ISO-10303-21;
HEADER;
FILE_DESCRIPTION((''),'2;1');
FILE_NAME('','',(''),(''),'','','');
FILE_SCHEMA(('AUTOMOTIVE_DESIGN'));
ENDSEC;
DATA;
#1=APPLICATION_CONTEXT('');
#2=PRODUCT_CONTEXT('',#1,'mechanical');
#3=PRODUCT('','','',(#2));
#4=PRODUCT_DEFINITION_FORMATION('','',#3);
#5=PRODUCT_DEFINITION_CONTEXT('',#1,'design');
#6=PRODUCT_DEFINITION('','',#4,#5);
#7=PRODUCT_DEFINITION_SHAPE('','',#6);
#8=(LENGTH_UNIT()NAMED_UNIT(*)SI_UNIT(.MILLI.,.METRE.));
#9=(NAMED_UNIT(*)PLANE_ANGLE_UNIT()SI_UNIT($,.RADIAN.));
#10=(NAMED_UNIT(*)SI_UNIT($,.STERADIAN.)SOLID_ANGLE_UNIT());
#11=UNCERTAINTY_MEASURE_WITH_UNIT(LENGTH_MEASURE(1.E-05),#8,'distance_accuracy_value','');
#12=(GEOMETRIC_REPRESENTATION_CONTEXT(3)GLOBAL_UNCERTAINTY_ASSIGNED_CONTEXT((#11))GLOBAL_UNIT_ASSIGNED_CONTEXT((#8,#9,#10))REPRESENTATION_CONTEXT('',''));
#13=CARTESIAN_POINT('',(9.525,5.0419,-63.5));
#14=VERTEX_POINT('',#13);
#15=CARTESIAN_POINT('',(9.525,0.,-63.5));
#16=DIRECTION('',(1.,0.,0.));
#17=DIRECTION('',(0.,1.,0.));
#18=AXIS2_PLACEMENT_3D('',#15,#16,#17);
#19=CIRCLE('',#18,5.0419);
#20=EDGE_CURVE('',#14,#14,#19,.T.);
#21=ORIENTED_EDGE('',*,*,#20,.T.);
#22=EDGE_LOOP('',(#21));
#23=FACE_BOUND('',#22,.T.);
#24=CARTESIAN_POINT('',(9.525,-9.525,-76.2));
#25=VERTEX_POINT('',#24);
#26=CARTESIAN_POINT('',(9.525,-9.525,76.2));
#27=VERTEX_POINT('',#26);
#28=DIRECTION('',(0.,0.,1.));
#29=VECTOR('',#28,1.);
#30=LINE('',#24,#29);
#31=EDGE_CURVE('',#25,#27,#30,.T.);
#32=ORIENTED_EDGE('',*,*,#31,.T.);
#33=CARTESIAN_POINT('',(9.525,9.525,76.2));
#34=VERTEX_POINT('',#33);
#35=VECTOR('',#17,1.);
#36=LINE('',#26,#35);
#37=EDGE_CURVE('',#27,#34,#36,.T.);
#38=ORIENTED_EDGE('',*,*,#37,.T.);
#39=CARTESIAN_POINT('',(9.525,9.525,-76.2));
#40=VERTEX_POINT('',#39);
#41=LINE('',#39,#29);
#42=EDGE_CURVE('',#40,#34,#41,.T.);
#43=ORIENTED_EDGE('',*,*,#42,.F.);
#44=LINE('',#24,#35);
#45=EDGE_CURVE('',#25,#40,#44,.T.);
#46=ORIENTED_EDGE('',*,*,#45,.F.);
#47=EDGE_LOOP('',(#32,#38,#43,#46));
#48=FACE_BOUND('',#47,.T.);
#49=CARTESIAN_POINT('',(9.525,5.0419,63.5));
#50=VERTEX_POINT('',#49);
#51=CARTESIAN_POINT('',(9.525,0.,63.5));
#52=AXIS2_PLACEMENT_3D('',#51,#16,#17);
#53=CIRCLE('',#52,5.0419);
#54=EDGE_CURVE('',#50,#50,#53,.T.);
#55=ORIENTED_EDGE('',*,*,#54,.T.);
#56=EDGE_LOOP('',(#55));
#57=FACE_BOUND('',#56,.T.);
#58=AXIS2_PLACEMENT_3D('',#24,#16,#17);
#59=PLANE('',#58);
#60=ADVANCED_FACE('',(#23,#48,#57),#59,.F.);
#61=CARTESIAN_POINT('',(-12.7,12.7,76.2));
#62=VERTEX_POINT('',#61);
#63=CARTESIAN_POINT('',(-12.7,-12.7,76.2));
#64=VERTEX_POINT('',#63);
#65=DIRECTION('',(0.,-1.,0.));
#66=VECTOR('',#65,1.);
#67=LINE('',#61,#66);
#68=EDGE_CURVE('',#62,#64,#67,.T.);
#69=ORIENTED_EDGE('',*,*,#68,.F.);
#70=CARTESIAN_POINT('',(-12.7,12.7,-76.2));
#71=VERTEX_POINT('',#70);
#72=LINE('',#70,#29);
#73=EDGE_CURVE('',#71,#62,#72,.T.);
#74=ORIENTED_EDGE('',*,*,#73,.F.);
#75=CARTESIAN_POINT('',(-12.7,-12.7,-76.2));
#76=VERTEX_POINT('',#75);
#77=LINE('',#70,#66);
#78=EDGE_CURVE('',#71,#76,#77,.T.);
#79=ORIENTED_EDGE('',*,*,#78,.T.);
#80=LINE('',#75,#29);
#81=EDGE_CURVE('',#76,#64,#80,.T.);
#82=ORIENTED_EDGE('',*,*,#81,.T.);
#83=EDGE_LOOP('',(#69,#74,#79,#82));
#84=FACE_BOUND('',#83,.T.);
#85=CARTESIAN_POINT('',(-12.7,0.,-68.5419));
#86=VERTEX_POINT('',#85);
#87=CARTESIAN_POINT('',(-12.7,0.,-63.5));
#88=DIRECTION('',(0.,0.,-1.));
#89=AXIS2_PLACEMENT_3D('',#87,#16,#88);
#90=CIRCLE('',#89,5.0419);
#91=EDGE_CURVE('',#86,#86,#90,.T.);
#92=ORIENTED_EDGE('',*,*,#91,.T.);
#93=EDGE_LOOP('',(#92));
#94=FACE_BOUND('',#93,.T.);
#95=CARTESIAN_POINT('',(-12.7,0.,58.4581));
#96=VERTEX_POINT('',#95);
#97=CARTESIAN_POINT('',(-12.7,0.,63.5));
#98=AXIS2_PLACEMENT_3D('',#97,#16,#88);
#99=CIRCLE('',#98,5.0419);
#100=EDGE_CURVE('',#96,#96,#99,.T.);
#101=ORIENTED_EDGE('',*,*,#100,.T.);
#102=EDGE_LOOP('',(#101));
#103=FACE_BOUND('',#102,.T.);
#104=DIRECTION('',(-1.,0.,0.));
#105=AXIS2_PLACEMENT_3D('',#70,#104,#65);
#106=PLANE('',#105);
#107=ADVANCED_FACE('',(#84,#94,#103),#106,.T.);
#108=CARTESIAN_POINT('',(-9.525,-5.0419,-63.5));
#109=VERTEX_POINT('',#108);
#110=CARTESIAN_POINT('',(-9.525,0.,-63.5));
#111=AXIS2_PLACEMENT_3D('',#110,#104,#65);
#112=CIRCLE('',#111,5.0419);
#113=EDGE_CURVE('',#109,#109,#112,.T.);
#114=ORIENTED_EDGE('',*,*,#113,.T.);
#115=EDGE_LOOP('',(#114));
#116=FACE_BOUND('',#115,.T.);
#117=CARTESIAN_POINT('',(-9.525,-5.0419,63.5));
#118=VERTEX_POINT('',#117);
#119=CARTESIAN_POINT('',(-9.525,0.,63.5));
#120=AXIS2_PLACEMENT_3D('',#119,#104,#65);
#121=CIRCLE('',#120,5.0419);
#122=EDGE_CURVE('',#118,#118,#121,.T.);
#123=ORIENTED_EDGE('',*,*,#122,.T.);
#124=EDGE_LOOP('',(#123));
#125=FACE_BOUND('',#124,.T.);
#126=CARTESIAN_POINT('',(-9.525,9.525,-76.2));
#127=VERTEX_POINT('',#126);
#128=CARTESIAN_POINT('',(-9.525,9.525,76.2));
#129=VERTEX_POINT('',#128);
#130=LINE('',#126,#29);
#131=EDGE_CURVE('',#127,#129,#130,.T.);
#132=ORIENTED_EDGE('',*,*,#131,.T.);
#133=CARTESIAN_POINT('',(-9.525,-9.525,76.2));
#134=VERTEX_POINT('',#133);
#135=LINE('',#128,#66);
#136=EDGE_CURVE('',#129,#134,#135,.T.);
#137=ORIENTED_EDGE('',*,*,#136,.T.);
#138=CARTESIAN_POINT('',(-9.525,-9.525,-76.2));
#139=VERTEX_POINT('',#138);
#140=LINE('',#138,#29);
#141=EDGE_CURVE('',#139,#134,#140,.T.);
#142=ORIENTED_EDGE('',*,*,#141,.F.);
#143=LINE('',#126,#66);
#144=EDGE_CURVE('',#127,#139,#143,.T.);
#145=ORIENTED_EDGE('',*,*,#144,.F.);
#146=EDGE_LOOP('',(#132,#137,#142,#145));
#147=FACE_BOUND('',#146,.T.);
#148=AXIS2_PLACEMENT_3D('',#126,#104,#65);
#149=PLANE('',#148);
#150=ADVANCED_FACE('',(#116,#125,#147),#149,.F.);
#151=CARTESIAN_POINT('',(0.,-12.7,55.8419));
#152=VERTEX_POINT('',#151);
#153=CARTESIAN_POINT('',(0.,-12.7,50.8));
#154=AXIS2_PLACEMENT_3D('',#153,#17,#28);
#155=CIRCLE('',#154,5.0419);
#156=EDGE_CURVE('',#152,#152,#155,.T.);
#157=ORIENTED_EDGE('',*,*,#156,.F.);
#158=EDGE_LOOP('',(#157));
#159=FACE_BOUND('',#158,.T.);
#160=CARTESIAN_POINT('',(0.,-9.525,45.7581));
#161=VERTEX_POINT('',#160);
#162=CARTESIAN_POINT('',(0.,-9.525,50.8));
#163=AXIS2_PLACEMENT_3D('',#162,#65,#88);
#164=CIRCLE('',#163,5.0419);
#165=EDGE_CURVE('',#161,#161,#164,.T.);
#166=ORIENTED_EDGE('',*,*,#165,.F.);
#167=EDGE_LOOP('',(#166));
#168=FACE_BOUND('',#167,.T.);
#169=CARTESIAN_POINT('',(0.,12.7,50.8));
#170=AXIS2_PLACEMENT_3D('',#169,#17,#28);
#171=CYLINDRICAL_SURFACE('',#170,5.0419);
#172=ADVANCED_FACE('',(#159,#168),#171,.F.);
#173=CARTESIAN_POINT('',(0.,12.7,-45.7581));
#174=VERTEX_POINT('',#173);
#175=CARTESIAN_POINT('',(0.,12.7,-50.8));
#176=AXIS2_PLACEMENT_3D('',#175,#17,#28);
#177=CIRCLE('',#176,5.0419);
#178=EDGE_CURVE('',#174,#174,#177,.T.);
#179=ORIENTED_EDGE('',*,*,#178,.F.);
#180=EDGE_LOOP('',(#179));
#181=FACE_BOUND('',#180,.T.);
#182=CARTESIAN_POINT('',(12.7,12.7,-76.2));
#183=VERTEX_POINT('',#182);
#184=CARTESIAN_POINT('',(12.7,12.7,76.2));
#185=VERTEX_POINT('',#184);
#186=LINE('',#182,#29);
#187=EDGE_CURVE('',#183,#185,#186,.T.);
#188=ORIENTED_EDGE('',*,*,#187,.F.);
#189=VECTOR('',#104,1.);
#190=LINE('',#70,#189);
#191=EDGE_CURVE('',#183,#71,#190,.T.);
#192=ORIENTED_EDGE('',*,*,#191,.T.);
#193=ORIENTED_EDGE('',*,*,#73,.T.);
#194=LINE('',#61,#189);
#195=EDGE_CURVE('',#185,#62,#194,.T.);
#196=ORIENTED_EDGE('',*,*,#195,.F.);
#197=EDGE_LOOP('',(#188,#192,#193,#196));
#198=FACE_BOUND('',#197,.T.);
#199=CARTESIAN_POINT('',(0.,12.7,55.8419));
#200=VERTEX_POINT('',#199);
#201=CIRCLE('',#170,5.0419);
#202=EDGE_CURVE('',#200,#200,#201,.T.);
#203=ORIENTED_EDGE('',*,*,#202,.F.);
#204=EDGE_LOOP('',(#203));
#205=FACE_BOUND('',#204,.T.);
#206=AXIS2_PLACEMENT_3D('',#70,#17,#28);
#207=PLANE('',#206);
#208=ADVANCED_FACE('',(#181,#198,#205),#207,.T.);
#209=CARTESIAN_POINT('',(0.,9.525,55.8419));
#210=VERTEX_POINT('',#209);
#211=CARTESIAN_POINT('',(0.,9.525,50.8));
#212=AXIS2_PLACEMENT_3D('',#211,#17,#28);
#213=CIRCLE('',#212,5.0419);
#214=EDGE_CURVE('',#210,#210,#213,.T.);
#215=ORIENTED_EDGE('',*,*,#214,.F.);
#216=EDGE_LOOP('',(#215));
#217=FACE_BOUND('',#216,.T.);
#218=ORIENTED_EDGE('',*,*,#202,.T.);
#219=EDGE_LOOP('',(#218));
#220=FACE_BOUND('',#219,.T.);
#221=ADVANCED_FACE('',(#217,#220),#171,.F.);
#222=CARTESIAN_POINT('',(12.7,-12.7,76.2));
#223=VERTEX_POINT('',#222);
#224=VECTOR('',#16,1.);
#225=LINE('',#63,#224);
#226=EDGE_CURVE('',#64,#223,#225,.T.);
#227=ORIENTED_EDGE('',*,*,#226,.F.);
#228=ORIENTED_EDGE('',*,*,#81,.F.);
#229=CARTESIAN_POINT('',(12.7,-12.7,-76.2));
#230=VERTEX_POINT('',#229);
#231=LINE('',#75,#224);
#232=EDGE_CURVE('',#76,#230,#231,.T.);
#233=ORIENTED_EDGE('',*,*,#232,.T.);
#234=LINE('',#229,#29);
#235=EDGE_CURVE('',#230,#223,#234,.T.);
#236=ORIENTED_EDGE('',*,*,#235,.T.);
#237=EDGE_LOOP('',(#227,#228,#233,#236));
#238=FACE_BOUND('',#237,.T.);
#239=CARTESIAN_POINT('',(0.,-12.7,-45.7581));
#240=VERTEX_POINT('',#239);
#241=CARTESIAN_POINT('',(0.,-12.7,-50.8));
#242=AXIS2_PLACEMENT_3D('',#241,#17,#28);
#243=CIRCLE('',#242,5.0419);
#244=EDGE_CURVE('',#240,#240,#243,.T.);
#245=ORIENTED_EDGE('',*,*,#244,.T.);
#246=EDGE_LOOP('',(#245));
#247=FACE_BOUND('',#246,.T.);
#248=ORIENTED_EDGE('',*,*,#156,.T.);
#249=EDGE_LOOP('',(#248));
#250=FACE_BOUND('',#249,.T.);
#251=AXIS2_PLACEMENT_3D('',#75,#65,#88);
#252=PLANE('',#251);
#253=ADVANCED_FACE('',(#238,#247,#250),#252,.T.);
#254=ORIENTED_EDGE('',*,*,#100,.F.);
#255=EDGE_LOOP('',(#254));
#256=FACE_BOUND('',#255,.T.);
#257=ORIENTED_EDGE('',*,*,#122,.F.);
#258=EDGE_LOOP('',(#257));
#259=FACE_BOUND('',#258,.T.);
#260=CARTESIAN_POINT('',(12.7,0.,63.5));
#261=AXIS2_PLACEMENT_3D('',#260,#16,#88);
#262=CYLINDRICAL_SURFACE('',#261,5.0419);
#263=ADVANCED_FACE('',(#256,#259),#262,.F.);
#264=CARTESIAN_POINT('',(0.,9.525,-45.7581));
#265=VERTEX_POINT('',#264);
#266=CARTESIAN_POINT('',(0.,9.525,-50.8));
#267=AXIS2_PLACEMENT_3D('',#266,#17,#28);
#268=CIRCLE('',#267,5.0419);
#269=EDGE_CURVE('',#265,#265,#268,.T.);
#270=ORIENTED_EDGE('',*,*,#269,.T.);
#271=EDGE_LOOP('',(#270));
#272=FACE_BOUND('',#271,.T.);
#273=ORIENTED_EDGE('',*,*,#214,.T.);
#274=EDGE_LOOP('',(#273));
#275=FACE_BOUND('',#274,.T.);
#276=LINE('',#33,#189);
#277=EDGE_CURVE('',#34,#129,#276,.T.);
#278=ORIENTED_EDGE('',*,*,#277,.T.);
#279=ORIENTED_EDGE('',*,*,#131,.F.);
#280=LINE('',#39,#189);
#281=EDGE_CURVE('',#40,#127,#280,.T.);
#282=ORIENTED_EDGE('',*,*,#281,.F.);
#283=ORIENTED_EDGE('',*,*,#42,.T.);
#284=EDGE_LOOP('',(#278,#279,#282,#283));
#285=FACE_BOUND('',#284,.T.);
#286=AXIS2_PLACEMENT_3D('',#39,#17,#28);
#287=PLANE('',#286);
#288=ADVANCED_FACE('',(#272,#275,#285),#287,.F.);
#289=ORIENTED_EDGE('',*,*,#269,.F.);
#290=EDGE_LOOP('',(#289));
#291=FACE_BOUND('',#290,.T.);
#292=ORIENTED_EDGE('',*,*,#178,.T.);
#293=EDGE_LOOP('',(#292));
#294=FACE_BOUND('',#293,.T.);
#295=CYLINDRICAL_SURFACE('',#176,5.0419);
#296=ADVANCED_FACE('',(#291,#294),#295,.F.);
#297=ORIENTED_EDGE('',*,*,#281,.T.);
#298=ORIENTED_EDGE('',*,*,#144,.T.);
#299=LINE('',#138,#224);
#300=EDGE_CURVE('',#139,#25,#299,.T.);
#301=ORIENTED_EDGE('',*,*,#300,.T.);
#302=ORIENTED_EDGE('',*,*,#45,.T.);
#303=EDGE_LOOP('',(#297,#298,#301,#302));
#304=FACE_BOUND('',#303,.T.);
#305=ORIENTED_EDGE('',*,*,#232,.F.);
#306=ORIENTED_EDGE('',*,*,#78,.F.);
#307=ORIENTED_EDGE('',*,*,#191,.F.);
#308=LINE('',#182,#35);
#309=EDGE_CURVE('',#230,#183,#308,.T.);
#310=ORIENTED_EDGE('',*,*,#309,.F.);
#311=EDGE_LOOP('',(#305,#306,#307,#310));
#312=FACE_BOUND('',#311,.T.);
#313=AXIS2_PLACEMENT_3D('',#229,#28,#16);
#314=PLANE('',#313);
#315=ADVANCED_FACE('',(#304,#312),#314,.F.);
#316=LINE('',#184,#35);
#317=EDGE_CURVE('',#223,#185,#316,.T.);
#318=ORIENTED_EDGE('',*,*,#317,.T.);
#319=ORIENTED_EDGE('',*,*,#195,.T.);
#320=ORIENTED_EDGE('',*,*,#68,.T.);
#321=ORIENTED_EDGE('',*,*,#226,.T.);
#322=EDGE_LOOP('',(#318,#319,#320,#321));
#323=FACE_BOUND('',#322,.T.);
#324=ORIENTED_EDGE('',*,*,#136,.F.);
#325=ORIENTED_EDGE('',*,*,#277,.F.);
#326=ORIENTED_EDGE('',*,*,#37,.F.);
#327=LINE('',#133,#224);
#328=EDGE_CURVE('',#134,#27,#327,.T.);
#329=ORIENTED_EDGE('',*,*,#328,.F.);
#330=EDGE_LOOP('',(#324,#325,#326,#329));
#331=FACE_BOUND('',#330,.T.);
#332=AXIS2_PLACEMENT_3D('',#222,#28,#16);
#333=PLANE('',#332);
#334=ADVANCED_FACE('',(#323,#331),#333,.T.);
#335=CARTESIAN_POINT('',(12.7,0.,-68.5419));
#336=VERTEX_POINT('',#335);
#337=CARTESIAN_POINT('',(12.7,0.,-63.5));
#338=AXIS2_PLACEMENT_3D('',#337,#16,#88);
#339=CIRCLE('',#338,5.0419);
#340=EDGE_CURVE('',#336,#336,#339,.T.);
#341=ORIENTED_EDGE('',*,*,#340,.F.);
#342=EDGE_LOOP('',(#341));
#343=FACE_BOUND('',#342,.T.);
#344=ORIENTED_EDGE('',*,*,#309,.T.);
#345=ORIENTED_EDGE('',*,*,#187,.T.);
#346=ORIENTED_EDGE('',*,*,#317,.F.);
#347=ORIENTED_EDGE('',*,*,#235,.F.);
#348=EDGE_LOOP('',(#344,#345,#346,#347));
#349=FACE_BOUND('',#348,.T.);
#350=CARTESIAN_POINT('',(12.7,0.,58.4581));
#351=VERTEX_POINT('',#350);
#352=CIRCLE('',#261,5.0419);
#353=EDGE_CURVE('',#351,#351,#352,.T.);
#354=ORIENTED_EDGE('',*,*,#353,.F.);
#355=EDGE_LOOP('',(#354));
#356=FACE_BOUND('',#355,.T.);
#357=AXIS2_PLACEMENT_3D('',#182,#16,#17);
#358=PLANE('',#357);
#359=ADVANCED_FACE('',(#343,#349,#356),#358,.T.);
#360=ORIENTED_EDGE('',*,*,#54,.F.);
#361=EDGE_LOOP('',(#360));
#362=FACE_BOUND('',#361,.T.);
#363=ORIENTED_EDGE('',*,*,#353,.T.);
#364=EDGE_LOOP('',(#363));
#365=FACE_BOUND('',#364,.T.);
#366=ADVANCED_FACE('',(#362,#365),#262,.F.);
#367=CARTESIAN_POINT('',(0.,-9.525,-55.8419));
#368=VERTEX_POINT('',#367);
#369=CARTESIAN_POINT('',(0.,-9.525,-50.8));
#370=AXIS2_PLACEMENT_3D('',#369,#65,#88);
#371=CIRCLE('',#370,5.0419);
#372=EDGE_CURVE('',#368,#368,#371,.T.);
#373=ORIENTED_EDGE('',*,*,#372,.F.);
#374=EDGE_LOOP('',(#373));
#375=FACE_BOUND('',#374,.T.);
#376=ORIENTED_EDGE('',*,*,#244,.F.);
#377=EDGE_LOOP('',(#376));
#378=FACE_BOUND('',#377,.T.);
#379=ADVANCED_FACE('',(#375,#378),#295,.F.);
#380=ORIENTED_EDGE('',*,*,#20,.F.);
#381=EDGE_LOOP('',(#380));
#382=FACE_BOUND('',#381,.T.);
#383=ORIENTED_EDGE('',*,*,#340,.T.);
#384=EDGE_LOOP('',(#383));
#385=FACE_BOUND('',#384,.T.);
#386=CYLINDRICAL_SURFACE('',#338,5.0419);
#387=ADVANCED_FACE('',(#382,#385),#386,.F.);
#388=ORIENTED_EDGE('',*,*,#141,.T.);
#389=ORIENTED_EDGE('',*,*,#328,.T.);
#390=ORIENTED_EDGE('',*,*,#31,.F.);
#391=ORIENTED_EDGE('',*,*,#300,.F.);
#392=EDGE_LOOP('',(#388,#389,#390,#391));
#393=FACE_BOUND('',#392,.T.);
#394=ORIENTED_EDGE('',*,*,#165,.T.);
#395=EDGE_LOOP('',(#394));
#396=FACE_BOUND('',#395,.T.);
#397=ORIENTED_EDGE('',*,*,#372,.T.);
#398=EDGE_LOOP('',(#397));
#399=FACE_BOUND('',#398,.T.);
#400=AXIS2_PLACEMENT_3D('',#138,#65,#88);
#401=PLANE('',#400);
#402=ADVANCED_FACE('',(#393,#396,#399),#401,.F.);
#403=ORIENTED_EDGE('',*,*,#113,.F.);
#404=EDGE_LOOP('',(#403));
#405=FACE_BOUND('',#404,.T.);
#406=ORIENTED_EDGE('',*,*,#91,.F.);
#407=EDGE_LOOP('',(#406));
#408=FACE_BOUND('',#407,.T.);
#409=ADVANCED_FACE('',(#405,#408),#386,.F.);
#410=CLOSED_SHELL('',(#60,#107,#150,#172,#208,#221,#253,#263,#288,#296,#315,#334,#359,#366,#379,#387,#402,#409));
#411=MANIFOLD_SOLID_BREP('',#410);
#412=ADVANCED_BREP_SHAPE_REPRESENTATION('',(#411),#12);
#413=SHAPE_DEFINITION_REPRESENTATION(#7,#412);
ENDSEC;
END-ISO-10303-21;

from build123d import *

# Parameters (mm, degrees)
SKETCH1_W               = 25.4
SKETCH1_H               = 25.4
EXTRUDE1_DEPTH          = 76.2
SKETCH2_W               = 19.05
SKETCH2_H               = 19.05
EXTRUDE2_DEPTH          = 154.454683865
F_3_8_CLEARANCE_HOLE1_D = 10.0838
F_3_8_CLEARANCE_HOLE2_D = 10.0838


with BuildPart() as part:
    # Sketch1 → Extrude1 (new, symmetric)
    with BuildSketch(Plane.XY):
        Rectangle(SKETCH1_W, SKETCH1_H)
    extrude(amount=EXTRUDE1_DEPTH, both=True)

    # Sketch2 → Extrude2 (cut, through all)
    with BuildSketch(Plane.XY.offset(76.2)):
        Rectangle(SKETCH2_W, SKETCH2_H)
    extrude(amount=-EXTRUDE2_DEPTH, mode=Mode.SUBTRACT)

    # 3/8 Clearance Hole1 (through all)
    with Locations(Plane(origin=(12.7, 0, 0), x_dir=(0, 0, -1), z_dir=(1, 0, 0))):
        with Locations((-63.5, 0)):
            f_3_8_clearance_hole1 = Hole(F_3_8_CLEARANCE_HOLE1_D / 2)

    # 3/8 Clearance Hole2 (through all)
    with Locations(Plane(origin=(0, 12.7, 0), x_dir=(-1, 0, 0), z_dir=(0, 1, 0))):
        with Locations((0, 50.8)):
            f_3_8_clearance_hole2 = Hole(F_3_8_CLEARANCE_HOLE2_D / 2)

    # Mirror1: 3/8 Clearance Hole1, 3/8 Clearance Hole2 across plane
    add(f_3_8_clearance_hole1.mirror(Plane.XY), mode=Mode.SUBTRACT)
    add(f_3_8_clearance_hole2.mirror(Plane.XY), mode=Mode.SUBTRACT)


solid = part.part
